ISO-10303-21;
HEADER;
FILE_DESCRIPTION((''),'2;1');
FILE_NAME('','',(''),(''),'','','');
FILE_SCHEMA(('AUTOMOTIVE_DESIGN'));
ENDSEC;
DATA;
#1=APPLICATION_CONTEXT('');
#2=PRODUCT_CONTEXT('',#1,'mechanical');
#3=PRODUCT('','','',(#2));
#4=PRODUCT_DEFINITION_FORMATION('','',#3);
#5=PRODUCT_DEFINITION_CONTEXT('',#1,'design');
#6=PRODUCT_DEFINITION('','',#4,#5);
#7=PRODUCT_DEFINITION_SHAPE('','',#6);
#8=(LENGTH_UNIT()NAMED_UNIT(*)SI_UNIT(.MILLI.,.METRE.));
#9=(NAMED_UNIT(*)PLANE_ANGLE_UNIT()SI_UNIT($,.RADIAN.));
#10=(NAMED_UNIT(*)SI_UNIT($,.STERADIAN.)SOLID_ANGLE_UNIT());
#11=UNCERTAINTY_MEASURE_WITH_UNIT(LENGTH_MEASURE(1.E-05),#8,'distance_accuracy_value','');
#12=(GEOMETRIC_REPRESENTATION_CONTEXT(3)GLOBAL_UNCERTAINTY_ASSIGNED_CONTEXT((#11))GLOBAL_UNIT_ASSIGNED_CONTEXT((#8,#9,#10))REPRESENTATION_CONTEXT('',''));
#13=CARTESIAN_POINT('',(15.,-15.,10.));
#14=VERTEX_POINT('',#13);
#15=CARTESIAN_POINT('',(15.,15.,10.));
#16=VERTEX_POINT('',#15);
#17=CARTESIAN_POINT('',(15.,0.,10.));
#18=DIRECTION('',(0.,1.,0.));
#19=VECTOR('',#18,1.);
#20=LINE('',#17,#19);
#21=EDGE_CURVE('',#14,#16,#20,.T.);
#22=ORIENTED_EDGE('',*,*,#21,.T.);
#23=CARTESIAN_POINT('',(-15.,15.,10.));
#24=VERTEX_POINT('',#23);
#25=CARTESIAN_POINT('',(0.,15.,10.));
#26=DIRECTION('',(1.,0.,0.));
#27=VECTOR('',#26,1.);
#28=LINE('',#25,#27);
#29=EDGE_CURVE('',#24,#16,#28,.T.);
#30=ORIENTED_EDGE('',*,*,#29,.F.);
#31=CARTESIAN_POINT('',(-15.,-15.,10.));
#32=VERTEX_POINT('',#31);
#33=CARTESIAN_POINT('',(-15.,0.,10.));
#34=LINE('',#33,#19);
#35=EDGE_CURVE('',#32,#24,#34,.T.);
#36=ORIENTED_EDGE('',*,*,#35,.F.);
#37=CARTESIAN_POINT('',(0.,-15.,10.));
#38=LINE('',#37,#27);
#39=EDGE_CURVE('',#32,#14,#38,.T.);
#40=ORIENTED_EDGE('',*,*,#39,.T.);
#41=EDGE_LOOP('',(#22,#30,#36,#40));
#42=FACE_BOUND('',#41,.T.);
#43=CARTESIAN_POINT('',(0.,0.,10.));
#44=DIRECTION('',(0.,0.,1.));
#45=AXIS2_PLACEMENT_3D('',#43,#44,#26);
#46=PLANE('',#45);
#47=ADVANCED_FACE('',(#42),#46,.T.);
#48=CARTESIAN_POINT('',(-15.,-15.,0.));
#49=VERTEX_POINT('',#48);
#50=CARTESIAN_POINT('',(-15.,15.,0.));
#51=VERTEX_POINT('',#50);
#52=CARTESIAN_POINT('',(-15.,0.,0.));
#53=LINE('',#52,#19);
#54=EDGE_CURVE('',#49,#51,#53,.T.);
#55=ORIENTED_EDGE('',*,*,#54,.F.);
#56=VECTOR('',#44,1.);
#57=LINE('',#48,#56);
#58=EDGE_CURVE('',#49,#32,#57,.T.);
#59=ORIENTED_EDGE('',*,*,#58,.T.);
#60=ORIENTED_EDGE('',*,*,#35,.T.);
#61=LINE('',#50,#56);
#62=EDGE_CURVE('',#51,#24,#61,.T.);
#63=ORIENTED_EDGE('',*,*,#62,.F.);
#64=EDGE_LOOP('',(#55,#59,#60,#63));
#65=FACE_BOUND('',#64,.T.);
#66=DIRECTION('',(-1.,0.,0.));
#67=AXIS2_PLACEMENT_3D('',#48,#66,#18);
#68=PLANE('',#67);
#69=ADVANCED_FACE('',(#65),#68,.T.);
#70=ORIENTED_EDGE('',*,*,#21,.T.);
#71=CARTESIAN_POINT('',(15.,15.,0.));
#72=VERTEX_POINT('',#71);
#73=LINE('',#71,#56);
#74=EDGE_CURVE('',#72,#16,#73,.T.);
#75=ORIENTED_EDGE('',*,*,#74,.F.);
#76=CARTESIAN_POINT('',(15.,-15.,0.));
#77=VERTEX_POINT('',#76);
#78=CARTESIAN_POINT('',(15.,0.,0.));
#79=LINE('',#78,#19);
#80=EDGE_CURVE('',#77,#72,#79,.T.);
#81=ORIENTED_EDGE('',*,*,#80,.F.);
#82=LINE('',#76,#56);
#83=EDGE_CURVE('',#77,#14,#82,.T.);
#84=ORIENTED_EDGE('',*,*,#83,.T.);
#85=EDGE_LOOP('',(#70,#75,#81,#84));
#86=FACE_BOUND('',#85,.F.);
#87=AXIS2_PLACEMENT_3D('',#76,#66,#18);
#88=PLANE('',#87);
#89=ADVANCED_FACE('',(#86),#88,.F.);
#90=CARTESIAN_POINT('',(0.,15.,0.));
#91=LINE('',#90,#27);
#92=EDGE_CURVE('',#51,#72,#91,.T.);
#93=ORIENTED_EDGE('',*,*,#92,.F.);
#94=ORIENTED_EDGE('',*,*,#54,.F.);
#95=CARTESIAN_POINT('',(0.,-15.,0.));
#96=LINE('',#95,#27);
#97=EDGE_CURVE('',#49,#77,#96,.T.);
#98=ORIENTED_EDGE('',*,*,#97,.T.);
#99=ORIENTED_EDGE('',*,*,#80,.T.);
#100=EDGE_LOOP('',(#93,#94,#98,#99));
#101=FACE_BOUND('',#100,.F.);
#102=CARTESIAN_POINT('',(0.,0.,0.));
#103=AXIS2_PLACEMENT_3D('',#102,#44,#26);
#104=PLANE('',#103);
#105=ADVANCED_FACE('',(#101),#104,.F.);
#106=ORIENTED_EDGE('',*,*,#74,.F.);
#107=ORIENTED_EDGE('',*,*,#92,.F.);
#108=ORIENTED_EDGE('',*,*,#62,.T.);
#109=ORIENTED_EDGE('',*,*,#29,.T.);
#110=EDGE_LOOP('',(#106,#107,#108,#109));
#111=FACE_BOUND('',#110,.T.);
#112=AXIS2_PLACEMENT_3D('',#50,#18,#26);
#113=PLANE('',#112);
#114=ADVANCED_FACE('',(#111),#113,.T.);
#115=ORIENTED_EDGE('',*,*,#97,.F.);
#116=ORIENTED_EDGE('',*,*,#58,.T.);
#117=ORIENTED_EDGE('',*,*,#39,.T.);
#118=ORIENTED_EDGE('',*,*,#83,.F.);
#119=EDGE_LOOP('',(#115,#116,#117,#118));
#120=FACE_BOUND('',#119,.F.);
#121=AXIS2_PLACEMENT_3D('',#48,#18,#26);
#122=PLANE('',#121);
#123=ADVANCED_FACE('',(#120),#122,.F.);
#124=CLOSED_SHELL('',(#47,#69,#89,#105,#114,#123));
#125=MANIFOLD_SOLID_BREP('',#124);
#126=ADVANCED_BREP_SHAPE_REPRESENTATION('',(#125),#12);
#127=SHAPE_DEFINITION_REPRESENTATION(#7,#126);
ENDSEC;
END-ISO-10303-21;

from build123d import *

# Parameters (mm, degrees)
SKETCH1_W           = 30
SKETCH1_H           = 30
BOSS_EXTRUDE1_DEPTH = 10


with BuildPart() as part:
    # Sketch1 → Boss-Extrude1 (new body)
    with BuildSketch(Plane.XY):
        Rectangle(SKETCH1_W, SKETCH1_H)
    extrude(amount=BOSS_EXTRUDE1_DEPTH)


solid = part.part
